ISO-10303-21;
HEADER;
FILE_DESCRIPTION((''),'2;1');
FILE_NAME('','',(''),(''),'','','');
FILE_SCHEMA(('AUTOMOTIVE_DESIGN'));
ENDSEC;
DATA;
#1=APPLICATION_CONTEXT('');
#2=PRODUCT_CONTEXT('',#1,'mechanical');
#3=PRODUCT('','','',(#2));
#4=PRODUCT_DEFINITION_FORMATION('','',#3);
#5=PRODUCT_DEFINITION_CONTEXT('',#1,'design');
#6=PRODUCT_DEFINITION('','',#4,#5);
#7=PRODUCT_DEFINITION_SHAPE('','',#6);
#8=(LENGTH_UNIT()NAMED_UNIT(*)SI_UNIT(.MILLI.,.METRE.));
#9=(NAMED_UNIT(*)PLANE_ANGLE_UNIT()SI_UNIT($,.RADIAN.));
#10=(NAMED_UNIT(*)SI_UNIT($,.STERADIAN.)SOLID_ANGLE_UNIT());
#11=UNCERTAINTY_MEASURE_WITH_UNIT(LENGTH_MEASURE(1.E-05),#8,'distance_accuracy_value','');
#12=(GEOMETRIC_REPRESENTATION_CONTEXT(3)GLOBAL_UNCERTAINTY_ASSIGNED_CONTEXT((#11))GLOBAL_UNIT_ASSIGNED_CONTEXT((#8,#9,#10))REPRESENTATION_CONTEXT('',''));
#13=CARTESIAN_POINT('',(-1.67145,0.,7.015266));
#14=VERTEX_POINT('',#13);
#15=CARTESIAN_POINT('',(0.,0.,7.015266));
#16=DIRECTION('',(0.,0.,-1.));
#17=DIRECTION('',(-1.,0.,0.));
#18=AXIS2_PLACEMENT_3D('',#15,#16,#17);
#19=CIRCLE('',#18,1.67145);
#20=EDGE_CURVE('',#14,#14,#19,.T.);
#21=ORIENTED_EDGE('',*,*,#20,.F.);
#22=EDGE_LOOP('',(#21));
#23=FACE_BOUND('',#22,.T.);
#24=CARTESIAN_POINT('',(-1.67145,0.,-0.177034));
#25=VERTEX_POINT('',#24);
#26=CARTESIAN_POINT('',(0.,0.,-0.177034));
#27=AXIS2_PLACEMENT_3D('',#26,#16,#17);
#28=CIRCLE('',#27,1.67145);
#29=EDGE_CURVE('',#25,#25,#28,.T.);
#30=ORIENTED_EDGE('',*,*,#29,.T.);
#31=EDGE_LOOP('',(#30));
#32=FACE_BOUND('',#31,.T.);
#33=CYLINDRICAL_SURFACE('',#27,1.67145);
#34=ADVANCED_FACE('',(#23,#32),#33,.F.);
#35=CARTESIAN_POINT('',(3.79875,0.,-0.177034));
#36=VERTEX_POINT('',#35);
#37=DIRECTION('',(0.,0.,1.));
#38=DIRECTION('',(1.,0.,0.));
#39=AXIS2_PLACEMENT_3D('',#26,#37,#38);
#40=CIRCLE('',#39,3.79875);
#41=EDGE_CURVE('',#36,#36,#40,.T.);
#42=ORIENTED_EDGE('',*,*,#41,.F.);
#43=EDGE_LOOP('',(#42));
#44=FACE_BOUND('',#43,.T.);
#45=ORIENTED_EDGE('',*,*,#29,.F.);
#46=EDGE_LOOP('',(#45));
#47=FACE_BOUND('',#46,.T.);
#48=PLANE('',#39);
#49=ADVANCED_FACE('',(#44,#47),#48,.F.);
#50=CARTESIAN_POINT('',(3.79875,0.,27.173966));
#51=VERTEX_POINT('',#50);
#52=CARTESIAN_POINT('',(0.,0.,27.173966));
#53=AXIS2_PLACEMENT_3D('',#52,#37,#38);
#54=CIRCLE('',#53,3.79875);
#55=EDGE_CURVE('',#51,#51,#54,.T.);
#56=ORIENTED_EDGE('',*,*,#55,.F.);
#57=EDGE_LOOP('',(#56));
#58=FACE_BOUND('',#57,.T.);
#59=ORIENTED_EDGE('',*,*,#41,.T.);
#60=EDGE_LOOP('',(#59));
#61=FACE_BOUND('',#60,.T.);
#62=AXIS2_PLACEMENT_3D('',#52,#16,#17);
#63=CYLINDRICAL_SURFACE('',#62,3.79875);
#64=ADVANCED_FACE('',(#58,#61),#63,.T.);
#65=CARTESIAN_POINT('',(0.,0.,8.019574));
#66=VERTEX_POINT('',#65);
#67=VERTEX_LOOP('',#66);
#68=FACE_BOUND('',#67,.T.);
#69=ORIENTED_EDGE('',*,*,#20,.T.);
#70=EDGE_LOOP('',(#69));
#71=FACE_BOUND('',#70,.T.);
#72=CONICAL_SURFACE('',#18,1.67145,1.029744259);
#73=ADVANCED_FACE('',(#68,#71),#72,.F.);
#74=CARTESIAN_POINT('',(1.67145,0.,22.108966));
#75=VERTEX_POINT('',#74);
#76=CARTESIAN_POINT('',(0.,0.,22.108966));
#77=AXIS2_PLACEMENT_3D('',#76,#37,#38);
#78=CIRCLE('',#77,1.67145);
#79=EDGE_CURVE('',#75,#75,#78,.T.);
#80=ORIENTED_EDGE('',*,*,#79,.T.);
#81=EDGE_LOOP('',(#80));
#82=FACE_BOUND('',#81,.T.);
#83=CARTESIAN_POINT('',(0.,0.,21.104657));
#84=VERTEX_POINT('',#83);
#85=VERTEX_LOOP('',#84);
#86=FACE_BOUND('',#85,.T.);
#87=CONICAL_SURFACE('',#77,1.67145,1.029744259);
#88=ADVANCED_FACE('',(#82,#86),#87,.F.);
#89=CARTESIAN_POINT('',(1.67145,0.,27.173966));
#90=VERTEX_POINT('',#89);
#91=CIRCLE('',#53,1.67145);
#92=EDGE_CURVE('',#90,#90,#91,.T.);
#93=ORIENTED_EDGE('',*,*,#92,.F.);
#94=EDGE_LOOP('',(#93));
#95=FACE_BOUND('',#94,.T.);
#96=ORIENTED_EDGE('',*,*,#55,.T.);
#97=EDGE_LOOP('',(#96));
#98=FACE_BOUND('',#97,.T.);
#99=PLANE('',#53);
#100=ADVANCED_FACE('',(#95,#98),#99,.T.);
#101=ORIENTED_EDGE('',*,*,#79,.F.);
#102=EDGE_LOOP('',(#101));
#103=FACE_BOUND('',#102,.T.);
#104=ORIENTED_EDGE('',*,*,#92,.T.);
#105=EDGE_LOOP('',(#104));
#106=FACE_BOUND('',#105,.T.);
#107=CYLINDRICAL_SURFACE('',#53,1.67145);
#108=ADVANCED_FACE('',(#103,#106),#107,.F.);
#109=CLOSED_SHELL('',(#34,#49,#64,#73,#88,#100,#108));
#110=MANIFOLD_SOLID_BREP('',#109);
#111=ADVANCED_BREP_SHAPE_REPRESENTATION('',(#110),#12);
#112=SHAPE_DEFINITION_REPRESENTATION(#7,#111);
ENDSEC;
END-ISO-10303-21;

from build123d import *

# Parameters (mm, degrees)
SKETCH1_R             = 3.75
BOSS_EXTRUDE1_DEPTH   = 27
M4_TAPPED_HOLE1_D     = 3.3
M4_TAPPED_HOLE1_DEPTH = 5
M4_TAPPED_HOLE1_TIP   = 0.991420021
M4_TAPPED_HOLE2_D     = 3.3
M4_TAPPED_HOLE2_DEPTH = 7.1
M4_TAPPED_HOLE2_TIP   = 0.991420021
SCALE1_SCALE          = 1.013


with BuildPart() as part:
    # Sketch1 → Boss-Extrude1 (new body)
    with BuildSketch(Plane.XY):
        Circle(SKETCH1_R)
    extrude(amount=BOSS_EXTRUDE1_DEPTH)

    # M4 Tapped Hole1
    with Locations(Plane.XY.offset(27)):
        with Locations((0, 0)):
            Hole(M4_TAPPED_HOLE1_D / 2, depth=M4_TAPPED_HOLE1_DEPTH)
            with Locations((0, 0, -(M4_TAPPED_HOLE1_DEPTH + M4_TAPPED_HOLE1_TIP / 2))):  # 118° drill point
                Cone(0, M4_TAPPED_HOLE1_D / 2, M4_TAPPED_HOLE1_TIP, mode=Mode.SUBTRACT)

    # M4 Tapped Hole2
    with Locations(Plane(origin=(0, 0, 0), x_dir=(-1, 0, 0), z_dir=(0, 0, -1))):
        with Locations((0, 0)):
            Hole(M4_TAPPED_HOLE2_D / 2, depth=M4_TAPPED_HOLE2_DEPTH)
            with Locations((0, 0, -(M4_TAPPED_HOLE2_DEPTH + M4_TAPPED_HOLE2_TIP / 2))):  # 118° drill point
                Cone(0, M4_TAPPED_HOLE2_D / 2, M4_TAPPED_HOLE2_TIP, mode=Mode.SUBTRACT)


with BuildPart() as part_1:
    # Scale1: scaled about (0, 0, 13.618001469)
    add(part.part.scale(SCALE1_SCALE).moved(Location((0, 0, -0.177034019))))


solid = part_1.part
